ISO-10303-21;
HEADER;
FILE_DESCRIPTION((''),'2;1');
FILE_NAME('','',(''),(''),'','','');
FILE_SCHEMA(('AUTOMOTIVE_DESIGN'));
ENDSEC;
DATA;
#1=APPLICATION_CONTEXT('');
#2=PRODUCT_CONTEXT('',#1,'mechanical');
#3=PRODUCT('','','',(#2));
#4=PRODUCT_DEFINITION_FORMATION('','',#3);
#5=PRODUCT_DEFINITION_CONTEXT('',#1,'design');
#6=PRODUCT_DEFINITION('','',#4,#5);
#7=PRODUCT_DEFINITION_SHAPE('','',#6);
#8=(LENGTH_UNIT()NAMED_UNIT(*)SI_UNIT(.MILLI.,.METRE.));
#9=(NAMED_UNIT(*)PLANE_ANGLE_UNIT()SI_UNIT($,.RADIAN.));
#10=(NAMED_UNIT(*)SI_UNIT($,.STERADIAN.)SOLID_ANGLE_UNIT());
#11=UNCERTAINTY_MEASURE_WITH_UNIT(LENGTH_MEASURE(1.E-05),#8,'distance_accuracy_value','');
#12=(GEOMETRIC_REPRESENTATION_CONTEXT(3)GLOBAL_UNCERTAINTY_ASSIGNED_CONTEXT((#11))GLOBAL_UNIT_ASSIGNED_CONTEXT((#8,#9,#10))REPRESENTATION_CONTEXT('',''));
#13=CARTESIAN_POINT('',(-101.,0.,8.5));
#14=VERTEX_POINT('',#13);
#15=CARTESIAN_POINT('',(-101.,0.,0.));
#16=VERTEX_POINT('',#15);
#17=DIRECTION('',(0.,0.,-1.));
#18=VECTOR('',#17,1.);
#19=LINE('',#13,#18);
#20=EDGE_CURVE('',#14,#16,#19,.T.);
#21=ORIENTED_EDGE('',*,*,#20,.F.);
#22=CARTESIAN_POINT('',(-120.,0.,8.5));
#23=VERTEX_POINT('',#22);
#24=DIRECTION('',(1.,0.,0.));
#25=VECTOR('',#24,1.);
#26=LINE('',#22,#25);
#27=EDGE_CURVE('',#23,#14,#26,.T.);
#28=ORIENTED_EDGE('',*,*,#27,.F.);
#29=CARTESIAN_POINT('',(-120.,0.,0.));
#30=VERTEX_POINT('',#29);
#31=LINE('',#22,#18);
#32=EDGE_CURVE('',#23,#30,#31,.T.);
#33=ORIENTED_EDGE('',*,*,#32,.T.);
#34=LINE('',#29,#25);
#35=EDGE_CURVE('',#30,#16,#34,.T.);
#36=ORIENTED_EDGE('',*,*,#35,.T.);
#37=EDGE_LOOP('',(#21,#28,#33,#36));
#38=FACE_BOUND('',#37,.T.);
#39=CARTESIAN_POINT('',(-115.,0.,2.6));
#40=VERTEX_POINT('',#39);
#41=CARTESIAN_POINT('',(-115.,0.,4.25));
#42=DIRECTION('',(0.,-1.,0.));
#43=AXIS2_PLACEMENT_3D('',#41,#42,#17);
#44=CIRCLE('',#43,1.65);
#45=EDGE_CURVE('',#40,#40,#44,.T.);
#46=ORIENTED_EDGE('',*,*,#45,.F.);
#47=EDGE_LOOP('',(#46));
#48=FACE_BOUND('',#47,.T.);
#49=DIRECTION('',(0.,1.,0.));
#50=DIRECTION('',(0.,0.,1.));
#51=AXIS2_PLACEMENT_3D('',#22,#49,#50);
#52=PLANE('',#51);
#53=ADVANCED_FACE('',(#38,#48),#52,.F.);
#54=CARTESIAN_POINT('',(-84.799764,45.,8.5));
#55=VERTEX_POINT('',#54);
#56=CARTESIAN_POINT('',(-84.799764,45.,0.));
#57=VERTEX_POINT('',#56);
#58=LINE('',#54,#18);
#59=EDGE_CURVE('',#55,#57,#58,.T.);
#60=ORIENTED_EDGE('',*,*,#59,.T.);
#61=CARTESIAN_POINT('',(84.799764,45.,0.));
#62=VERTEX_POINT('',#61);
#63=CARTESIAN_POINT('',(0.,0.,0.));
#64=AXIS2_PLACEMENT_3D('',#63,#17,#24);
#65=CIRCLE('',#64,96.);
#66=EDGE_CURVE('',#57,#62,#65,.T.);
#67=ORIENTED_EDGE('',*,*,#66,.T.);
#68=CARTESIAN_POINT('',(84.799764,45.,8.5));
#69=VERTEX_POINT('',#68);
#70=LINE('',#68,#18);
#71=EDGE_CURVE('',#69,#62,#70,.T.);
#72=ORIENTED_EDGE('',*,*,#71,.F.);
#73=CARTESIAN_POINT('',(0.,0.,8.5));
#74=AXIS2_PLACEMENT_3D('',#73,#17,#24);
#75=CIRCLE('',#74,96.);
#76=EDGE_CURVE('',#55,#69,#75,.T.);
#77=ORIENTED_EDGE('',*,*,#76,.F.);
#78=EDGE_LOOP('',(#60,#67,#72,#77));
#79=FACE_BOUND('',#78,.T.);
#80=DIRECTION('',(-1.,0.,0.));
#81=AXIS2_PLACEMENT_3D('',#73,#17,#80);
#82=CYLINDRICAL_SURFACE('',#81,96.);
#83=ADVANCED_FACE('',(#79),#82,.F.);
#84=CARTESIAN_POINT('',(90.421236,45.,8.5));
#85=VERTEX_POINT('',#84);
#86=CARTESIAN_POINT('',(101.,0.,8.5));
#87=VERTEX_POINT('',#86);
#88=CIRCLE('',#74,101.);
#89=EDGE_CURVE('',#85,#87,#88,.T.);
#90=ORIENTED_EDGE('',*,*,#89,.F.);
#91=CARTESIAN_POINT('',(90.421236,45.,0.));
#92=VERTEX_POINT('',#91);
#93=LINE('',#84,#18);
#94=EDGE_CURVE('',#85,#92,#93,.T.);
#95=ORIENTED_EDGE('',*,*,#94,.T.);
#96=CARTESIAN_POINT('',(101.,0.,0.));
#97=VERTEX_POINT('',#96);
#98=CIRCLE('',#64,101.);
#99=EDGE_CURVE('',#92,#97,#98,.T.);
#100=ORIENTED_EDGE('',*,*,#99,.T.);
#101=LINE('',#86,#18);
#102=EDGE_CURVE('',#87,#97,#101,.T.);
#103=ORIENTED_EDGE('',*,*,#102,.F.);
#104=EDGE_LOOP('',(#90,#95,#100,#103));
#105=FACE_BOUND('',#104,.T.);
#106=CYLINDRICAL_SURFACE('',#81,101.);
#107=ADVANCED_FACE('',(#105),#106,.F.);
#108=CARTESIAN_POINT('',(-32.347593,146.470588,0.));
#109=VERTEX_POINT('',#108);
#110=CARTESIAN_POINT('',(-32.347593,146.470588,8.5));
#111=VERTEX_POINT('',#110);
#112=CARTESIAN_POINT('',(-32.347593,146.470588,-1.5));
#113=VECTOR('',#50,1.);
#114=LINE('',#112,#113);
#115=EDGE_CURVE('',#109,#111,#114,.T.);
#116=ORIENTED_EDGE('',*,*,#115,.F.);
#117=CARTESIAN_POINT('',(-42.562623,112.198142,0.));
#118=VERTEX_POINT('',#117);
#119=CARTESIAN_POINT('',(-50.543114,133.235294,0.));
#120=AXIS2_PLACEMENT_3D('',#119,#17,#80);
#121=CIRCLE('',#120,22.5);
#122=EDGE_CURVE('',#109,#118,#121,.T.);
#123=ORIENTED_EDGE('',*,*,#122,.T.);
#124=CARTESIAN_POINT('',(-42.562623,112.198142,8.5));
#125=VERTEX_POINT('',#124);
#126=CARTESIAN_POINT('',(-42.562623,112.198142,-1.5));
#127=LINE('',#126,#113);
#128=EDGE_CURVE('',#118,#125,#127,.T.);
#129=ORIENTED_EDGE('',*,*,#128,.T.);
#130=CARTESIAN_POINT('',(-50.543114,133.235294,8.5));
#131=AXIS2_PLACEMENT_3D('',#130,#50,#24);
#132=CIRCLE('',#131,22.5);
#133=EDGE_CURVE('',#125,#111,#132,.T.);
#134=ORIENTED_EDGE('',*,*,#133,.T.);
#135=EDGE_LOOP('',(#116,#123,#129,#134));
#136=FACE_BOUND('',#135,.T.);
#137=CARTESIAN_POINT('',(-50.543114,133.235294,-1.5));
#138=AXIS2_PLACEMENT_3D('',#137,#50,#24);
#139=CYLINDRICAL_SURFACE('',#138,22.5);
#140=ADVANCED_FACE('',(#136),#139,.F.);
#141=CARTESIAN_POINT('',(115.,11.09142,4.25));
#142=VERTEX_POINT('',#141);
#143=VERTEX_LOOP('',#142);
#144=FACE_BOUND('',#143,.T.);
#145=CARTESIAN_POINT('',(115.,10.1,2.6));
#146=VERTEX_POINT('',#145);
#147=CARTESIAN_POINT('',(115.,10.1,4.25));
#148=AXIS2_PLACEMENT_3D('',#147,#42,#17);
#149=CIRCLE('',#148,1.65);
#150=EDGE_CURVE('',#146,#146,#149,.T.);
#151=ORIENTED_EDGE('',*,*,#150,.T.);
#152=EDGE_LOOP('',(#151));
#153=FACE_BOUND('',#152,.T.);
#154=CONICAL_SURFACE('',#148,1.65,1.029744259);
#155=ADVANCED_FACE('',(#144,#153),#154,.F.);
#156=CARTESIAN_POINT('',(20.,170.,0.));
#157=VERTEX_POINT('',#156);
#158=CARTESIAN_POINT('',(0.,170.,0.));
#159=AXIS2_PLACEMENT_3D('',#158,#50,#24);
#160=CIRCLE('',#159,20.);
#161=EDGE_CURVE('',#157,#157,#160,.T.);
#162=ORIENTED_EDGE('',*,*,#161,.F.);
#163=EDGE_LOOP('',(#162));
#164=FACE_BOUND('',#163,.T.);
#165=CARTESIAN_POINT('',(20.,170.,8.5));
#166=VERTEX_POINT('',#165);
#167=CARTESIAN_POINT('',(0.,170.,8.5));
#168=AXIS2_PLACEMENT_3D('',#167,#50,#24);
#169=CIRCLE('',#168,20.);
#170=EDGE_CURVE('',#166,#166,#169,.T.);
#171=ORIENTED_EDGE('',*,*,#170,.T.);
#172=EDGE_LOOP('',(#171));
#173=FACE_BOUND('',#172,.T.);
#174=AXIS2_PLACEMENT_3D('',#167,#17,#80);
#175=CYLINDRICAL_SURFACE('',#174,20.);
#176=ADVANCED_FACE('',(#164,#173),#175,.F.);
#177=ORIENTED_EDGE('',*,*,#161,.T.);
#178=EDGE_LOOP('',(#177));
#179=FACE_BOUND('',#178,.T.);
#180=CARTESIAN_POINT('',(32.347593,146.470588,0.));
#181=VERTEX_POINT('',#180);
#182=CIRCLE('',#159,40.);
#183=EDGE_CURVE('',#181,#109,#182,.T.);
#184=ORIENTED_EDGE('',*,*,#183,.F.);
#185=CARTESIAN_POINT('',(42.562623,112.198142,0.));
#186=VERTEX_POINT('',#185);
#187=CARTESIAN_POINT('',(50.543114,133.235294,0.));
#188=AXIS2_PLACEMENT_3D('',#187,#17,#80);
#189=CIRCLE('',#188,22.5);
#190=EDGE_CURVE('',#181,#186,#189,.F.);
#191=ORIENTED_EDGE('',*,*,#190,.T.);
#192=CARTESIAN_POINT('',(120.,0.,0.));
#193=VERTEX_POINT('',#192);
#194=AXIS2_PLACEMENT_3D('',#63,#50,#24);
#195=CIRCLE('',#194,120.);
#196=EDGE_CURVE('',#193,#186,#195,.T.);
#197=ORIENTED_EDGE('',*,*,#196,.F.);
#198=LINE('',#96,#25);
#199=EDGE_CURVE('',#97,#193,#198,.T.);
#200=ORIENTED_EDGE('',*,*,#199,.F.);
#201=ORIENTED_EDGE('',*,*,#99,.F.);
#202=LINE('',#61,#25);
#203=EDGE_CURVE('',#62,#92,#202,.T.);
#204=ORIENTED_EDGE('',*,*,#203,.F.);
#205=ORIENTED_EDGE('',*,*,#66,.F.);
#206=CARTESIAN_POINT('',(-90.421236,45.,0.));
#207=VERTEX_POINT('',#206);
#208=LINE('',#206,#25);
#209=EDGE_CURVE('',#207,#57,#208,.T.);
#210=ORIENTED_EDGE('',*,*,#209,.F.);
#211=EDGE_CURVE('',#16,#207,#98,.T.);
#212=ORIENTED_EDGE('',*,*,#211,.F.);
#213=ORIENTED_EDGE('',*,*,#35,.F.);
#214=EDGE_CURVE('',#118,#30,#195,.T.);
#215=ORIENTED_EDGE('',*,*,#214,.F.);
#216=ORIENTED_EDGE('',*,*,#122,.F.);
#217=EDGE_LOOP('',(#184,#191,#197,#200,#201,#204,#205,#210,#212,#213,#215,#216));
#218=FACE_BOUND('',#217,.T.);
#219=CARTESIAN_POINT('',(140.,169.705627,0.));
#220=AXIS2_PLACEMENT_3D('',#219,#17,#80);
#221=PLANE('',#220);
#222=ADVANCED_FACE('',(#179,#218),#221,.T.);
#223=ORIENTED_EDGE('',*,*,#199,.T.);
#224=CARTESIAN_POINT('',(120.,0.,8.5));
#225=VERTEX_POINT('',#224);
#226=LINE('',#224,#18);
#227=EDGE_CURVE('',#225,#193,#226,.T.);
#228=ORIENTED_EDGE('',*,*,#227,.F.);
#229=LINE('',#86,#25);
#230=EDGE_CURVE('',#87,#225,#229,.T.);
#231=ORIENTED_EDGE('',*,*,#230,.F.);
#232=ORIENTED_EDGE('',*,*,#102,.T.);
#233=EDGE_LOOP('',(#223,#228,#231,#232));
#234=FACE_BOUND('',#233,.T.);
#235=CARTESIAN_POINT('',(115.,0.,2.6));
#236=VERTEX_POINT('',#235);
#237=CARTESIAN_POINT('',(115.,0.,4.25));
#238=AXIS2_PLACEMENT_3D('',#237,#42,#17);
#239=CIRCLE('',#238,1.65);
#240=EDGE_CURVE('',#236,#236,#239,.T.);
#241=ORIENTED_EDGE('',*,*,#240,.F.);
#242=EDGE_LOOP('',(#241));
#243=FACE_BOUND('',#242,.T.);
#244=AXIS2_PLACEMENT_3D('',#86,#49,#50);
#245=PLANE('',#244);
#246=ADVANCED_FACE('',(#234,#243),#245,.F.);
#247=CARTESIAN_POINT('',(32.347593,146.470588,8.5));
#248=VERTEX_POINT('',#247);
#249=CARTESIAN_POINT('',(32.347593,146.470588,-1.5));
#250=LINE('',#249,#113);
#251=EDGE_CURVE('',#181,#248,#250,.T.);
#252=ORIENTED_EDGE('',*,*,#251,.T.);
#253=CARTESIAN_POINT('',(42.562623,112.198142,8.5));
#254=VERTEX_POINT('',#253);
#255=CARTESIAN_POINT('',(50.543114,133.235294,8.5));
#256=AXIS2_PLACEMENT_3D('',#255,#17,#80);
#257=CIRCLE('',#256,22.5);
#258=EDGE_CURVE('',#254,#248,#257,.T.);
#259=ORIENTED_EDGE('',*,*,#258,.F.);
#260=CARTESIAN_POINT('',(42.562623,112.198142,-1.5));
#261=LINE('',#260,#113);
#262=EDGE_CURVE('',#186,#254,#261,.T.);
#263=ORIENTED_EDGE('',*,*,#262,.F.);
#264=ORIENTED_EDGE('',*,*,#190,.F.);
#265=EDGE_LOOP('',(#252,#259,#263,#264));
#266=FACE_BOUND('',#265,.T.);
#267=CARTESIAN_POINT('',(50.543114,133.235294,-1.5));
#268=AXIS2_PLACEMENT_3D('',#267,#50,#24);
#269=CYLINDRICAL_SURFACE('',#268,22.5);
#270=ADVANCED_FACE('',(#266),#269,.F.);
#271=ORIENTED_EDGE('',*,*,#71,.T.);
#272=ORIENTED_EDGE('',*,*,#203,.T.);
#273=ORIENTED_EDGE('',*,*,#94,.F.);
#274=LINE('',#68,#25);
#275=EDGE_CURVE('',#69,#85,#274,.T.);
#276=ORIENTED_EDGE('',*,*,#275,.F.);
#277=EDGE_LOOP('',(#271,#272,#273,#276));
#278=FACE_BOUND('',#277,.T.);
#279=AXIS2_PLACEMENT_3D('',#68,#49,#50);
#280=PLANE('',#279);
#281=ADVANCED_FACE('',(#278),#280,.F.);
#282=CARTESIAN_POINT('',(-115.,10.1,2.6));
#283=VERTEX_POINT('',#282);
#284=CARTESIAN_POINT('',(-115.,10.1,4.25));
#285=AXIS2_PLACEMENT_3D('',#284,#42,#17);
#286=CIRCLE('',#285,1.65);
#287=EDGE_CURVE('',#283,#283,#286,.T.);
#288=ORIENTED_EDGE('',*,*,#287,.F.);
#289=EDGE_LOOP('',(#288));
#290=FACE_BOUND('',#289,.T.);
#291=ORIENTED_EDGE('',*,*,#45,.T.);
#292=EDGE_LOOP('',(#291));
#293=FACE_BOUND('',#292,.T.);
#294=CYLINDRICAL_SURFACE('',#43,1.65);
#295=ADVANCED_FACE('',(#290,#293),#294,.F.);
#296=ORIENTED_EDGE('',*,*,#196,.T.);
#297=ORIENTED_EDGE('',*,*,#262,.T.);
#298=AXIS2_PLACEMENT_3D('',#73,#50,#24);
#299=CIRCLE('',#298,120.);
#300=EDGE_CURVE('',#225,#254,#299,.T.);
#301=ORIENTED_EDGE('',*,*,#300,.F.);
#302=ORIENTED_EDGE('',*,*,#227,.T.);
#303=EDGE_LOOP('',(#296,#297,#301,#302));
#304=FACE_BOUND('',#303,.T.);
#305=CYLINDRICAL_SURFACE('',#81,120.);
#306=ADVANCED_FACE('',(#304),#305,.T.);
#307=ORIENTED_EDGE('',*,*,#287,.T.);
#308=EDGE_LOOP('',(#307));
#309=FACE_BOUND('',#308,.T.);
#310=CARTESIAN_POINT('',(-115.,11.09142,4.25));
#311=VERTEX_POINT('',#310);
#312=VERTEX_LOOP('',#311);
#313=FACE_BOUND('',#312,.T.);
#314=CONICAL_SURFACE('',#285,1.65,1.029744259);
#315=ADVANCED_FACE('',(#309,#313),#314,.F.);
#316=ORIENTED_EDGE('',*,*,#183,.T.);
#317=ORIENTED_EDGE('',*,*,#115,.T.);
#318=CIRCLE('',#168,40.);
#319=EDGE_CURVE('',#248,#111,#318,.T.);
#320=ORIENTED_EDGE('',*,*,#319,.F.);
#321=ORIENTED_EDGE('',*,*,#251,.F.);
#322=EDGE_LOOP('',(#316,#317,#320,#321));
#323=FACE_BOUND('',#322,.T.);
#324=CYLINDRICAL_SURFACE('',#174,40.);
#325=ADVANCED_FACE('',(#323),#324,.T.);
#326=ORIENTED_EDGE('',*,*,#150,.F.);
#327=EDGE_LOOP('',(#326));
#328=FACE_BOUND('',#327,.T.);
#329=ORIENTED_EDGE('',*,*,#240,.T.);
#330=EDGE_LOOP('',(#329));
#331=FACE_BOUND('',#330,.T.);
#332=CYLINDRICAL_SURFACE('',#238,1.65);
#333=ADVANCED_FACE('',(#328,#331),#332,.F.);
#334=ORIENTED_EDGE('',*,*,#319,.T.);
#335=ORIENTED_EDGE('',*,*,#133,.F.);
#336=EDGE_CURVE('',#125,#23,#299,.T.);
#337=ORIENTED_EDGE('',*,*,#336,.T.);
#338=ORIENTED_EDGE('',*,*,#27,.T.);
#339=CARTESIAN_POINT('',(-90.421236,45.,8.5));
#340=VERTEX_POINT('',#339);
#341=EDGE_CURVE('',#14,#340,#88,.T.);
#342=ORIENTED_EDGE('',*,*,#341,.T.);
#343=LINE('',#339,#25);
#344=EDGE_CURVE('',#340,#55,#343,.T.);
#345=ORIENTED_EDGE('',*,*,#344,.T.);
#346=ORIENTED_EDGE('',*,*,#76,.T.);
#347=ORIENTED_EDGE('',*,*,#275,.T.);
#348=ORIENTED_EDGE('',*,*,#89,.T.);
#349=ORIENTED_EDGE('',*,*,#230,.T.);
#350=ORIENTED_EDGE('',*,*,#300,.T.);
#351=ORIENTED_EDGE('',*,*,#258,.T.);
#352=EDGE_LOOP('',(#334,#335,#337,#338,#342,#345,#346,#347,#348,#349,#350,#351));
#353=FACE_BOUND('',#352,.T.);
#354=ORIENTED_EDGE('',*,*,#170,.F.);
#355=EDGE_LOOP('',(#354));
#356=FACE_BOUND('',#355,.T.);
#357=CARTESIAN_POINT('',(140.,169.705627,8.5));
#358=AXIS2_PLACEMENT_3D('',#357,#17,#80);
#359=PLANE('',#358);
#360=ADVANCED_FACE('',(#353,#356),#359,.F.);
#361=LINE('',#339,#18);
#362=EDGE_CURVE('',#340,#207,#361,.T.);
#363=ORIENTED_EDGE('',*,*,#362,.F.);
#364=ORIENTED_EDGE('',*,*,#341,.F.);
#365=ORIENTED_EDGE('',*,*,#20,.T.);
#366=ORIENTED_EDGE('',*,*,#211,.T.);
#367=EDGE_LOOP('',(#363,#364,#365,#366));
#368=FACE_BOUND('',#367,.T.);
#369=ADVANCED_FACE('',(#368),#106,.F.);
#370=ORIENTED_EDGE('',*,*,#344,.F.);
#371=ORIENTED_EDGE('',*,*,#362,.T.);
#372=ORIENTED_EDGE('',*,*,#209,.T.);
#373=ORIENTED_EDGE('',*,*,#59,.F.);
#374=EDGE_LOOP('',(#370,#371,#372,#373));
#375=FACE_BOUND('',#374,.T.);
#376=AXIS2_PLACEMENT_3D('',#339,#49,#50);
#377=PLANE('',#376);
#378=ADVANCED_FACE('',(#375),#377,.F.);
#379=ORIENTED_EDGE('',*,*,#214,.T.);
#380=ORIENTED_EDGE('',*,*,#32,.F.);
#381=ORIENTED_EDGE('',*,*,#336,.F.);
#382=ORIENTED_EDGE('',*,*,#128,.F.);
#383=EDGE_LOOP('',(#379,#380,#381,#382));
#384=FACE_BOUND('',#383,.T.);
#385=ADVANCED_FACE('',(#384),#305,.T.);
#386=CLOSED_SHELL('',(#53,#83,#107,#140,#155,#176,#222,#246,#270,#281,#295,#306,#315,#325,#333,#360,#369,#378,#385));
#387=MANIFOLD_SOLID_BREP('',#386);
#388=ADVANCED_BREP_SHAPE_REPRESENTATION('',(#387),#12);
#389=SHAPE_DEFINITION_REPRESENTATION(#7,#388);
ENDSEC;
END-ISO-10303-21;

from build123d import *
from build123d.topology import SkipClean

# Parameters (mm, degrees)
SKETCH_1_R             = 20
EXTRUDE_1_DEPTH        = 8.5
HOLE_WIZARD_M4_1_D     = 3.3
HOLE_WIZARD_M4_1_DEPTH = 10.1
HOLE_WIZARD_M4_1_TIP   = 0.991420021
CUT_EXTRUDE_START      = -10
CUT_EXTRUDE_1_DEPTH    = 10


with BuildPart() as part:
    # 草图1 → 凸台-拉伸1 (new body)
    with BuildSketch(Plane.XY):
        with BuildLine():
            Line((-40, 170), (-40, 169.705627485))
            ThreePointArc((-40, 169.705627485), (-49.546596627, 127.065484214), (-76.363636364, 92.566705901))
            ThreePointArc((-76.363636364, 92.566705901), (-108.544084048, 51.168171925), (-120, 0))
            Line((-120, 0), (-101, 0))
            ThreePointArc((-101, 0), (-98.319745933, 23.113363226), (-90.421236444, 45))
            Line((-90.421236444, 45), (-84.799764151, 45))
            ThreePointArc((-84.799764151, 45), (0, 96), (84.799764151, 45))
            Line((84.799764151, 45), (90.421236444, 45))
            ThreePointArc((90.421236444, 45), (98.319745933, 23.113363226), (101, 0))
            Line((101, 0), (120, 0))
            ThreePointArc((120, 0), (108.544084048, 51.168171925), (76.363636364, 92.566705901))
            ThreePointArc((76.363636364, 92.566705901), (49.546596627, 127.065484214), (40, 169.705627485))
            Line((40, 169.705627485), (40, 170))
            ThreePointArc((40, 170), (0, 210), (-40, 170))
        make_face()
        with Locations((0, 170)):
            Circle(SKETCH_1_R, mode=Mode.SUBTRACT)
    extrude(amount=EXTRUDE_1_DEPTH)

    # M4 螺纹孔1
    with Locations(Plane(origin=(-115, 0, 4.25), x_dir=(0, 0, -1), z_dir=(0, -1, 0))):
        with Locations((0, 0), (0, 230)):
            Hole(HOLE_WIZARD_M4_1_D / 2, depth=HOLE_WIZARD_M4_1_DEPTH)
            with Locations((0, 0, -(HOLE_WIZARD_M4_1_DEPTH + HOLE_WIZARD_M4_1_TIP / 2))):  # 118° drill point
                Cone(0, HOLE_WIZARD_M4_1_D / 2, HOLE_WIZARD_M4_1_TIP, mode=Mode.SUBTRACT)

    # 草图5 → 切除-拉伸1 (cut)
    with SkipClean():  # the faces are left unmerged after this step: merging them gives an invalid solid
        with BuildSketch(Plane.XY.offset(8.5).offset(CUT_EXTRUDE_START)):
            with BuildLine():
                Line((-40, 170), (-40, 169.705627485))
                ThreePointArc((-40, 169.705627485), (-49.546596627, 127.065484214), (-76.363636364, 92.566705901))
                ThreePointArc((-76.363636364, 92.566705901), (-60.26783628, 103.76795223), (-42.562622554, 112.198142415))
                ThreePointArc((-42.562622554, 112.198142415), (-28.980506646, 126.808479049), (-32.347593141, 146.470588235))
                ThreePointArc((-32.347593141, 146.470588235), (-38.038820471, 157.628737446), (-40, 170))
            make_face()
        cut_extrude_1 = extrude(amount=CUT_EXTRUDE_1_DEPTH, mode=Mode.SUBTRACT)

    # 镜向1: 切除-拉伸1 across plane
    with SkipClean():  # the faces are left unmerged after this step: merging them gives an invalid solid
        add(cut_extrude_1.mirror(Plane(origin=(0, 0, 0), x_dir=(0, 0, 1), z_dir=(1, 0, 0))), mode=Mode.SUBTRACT)


solid = part.part
